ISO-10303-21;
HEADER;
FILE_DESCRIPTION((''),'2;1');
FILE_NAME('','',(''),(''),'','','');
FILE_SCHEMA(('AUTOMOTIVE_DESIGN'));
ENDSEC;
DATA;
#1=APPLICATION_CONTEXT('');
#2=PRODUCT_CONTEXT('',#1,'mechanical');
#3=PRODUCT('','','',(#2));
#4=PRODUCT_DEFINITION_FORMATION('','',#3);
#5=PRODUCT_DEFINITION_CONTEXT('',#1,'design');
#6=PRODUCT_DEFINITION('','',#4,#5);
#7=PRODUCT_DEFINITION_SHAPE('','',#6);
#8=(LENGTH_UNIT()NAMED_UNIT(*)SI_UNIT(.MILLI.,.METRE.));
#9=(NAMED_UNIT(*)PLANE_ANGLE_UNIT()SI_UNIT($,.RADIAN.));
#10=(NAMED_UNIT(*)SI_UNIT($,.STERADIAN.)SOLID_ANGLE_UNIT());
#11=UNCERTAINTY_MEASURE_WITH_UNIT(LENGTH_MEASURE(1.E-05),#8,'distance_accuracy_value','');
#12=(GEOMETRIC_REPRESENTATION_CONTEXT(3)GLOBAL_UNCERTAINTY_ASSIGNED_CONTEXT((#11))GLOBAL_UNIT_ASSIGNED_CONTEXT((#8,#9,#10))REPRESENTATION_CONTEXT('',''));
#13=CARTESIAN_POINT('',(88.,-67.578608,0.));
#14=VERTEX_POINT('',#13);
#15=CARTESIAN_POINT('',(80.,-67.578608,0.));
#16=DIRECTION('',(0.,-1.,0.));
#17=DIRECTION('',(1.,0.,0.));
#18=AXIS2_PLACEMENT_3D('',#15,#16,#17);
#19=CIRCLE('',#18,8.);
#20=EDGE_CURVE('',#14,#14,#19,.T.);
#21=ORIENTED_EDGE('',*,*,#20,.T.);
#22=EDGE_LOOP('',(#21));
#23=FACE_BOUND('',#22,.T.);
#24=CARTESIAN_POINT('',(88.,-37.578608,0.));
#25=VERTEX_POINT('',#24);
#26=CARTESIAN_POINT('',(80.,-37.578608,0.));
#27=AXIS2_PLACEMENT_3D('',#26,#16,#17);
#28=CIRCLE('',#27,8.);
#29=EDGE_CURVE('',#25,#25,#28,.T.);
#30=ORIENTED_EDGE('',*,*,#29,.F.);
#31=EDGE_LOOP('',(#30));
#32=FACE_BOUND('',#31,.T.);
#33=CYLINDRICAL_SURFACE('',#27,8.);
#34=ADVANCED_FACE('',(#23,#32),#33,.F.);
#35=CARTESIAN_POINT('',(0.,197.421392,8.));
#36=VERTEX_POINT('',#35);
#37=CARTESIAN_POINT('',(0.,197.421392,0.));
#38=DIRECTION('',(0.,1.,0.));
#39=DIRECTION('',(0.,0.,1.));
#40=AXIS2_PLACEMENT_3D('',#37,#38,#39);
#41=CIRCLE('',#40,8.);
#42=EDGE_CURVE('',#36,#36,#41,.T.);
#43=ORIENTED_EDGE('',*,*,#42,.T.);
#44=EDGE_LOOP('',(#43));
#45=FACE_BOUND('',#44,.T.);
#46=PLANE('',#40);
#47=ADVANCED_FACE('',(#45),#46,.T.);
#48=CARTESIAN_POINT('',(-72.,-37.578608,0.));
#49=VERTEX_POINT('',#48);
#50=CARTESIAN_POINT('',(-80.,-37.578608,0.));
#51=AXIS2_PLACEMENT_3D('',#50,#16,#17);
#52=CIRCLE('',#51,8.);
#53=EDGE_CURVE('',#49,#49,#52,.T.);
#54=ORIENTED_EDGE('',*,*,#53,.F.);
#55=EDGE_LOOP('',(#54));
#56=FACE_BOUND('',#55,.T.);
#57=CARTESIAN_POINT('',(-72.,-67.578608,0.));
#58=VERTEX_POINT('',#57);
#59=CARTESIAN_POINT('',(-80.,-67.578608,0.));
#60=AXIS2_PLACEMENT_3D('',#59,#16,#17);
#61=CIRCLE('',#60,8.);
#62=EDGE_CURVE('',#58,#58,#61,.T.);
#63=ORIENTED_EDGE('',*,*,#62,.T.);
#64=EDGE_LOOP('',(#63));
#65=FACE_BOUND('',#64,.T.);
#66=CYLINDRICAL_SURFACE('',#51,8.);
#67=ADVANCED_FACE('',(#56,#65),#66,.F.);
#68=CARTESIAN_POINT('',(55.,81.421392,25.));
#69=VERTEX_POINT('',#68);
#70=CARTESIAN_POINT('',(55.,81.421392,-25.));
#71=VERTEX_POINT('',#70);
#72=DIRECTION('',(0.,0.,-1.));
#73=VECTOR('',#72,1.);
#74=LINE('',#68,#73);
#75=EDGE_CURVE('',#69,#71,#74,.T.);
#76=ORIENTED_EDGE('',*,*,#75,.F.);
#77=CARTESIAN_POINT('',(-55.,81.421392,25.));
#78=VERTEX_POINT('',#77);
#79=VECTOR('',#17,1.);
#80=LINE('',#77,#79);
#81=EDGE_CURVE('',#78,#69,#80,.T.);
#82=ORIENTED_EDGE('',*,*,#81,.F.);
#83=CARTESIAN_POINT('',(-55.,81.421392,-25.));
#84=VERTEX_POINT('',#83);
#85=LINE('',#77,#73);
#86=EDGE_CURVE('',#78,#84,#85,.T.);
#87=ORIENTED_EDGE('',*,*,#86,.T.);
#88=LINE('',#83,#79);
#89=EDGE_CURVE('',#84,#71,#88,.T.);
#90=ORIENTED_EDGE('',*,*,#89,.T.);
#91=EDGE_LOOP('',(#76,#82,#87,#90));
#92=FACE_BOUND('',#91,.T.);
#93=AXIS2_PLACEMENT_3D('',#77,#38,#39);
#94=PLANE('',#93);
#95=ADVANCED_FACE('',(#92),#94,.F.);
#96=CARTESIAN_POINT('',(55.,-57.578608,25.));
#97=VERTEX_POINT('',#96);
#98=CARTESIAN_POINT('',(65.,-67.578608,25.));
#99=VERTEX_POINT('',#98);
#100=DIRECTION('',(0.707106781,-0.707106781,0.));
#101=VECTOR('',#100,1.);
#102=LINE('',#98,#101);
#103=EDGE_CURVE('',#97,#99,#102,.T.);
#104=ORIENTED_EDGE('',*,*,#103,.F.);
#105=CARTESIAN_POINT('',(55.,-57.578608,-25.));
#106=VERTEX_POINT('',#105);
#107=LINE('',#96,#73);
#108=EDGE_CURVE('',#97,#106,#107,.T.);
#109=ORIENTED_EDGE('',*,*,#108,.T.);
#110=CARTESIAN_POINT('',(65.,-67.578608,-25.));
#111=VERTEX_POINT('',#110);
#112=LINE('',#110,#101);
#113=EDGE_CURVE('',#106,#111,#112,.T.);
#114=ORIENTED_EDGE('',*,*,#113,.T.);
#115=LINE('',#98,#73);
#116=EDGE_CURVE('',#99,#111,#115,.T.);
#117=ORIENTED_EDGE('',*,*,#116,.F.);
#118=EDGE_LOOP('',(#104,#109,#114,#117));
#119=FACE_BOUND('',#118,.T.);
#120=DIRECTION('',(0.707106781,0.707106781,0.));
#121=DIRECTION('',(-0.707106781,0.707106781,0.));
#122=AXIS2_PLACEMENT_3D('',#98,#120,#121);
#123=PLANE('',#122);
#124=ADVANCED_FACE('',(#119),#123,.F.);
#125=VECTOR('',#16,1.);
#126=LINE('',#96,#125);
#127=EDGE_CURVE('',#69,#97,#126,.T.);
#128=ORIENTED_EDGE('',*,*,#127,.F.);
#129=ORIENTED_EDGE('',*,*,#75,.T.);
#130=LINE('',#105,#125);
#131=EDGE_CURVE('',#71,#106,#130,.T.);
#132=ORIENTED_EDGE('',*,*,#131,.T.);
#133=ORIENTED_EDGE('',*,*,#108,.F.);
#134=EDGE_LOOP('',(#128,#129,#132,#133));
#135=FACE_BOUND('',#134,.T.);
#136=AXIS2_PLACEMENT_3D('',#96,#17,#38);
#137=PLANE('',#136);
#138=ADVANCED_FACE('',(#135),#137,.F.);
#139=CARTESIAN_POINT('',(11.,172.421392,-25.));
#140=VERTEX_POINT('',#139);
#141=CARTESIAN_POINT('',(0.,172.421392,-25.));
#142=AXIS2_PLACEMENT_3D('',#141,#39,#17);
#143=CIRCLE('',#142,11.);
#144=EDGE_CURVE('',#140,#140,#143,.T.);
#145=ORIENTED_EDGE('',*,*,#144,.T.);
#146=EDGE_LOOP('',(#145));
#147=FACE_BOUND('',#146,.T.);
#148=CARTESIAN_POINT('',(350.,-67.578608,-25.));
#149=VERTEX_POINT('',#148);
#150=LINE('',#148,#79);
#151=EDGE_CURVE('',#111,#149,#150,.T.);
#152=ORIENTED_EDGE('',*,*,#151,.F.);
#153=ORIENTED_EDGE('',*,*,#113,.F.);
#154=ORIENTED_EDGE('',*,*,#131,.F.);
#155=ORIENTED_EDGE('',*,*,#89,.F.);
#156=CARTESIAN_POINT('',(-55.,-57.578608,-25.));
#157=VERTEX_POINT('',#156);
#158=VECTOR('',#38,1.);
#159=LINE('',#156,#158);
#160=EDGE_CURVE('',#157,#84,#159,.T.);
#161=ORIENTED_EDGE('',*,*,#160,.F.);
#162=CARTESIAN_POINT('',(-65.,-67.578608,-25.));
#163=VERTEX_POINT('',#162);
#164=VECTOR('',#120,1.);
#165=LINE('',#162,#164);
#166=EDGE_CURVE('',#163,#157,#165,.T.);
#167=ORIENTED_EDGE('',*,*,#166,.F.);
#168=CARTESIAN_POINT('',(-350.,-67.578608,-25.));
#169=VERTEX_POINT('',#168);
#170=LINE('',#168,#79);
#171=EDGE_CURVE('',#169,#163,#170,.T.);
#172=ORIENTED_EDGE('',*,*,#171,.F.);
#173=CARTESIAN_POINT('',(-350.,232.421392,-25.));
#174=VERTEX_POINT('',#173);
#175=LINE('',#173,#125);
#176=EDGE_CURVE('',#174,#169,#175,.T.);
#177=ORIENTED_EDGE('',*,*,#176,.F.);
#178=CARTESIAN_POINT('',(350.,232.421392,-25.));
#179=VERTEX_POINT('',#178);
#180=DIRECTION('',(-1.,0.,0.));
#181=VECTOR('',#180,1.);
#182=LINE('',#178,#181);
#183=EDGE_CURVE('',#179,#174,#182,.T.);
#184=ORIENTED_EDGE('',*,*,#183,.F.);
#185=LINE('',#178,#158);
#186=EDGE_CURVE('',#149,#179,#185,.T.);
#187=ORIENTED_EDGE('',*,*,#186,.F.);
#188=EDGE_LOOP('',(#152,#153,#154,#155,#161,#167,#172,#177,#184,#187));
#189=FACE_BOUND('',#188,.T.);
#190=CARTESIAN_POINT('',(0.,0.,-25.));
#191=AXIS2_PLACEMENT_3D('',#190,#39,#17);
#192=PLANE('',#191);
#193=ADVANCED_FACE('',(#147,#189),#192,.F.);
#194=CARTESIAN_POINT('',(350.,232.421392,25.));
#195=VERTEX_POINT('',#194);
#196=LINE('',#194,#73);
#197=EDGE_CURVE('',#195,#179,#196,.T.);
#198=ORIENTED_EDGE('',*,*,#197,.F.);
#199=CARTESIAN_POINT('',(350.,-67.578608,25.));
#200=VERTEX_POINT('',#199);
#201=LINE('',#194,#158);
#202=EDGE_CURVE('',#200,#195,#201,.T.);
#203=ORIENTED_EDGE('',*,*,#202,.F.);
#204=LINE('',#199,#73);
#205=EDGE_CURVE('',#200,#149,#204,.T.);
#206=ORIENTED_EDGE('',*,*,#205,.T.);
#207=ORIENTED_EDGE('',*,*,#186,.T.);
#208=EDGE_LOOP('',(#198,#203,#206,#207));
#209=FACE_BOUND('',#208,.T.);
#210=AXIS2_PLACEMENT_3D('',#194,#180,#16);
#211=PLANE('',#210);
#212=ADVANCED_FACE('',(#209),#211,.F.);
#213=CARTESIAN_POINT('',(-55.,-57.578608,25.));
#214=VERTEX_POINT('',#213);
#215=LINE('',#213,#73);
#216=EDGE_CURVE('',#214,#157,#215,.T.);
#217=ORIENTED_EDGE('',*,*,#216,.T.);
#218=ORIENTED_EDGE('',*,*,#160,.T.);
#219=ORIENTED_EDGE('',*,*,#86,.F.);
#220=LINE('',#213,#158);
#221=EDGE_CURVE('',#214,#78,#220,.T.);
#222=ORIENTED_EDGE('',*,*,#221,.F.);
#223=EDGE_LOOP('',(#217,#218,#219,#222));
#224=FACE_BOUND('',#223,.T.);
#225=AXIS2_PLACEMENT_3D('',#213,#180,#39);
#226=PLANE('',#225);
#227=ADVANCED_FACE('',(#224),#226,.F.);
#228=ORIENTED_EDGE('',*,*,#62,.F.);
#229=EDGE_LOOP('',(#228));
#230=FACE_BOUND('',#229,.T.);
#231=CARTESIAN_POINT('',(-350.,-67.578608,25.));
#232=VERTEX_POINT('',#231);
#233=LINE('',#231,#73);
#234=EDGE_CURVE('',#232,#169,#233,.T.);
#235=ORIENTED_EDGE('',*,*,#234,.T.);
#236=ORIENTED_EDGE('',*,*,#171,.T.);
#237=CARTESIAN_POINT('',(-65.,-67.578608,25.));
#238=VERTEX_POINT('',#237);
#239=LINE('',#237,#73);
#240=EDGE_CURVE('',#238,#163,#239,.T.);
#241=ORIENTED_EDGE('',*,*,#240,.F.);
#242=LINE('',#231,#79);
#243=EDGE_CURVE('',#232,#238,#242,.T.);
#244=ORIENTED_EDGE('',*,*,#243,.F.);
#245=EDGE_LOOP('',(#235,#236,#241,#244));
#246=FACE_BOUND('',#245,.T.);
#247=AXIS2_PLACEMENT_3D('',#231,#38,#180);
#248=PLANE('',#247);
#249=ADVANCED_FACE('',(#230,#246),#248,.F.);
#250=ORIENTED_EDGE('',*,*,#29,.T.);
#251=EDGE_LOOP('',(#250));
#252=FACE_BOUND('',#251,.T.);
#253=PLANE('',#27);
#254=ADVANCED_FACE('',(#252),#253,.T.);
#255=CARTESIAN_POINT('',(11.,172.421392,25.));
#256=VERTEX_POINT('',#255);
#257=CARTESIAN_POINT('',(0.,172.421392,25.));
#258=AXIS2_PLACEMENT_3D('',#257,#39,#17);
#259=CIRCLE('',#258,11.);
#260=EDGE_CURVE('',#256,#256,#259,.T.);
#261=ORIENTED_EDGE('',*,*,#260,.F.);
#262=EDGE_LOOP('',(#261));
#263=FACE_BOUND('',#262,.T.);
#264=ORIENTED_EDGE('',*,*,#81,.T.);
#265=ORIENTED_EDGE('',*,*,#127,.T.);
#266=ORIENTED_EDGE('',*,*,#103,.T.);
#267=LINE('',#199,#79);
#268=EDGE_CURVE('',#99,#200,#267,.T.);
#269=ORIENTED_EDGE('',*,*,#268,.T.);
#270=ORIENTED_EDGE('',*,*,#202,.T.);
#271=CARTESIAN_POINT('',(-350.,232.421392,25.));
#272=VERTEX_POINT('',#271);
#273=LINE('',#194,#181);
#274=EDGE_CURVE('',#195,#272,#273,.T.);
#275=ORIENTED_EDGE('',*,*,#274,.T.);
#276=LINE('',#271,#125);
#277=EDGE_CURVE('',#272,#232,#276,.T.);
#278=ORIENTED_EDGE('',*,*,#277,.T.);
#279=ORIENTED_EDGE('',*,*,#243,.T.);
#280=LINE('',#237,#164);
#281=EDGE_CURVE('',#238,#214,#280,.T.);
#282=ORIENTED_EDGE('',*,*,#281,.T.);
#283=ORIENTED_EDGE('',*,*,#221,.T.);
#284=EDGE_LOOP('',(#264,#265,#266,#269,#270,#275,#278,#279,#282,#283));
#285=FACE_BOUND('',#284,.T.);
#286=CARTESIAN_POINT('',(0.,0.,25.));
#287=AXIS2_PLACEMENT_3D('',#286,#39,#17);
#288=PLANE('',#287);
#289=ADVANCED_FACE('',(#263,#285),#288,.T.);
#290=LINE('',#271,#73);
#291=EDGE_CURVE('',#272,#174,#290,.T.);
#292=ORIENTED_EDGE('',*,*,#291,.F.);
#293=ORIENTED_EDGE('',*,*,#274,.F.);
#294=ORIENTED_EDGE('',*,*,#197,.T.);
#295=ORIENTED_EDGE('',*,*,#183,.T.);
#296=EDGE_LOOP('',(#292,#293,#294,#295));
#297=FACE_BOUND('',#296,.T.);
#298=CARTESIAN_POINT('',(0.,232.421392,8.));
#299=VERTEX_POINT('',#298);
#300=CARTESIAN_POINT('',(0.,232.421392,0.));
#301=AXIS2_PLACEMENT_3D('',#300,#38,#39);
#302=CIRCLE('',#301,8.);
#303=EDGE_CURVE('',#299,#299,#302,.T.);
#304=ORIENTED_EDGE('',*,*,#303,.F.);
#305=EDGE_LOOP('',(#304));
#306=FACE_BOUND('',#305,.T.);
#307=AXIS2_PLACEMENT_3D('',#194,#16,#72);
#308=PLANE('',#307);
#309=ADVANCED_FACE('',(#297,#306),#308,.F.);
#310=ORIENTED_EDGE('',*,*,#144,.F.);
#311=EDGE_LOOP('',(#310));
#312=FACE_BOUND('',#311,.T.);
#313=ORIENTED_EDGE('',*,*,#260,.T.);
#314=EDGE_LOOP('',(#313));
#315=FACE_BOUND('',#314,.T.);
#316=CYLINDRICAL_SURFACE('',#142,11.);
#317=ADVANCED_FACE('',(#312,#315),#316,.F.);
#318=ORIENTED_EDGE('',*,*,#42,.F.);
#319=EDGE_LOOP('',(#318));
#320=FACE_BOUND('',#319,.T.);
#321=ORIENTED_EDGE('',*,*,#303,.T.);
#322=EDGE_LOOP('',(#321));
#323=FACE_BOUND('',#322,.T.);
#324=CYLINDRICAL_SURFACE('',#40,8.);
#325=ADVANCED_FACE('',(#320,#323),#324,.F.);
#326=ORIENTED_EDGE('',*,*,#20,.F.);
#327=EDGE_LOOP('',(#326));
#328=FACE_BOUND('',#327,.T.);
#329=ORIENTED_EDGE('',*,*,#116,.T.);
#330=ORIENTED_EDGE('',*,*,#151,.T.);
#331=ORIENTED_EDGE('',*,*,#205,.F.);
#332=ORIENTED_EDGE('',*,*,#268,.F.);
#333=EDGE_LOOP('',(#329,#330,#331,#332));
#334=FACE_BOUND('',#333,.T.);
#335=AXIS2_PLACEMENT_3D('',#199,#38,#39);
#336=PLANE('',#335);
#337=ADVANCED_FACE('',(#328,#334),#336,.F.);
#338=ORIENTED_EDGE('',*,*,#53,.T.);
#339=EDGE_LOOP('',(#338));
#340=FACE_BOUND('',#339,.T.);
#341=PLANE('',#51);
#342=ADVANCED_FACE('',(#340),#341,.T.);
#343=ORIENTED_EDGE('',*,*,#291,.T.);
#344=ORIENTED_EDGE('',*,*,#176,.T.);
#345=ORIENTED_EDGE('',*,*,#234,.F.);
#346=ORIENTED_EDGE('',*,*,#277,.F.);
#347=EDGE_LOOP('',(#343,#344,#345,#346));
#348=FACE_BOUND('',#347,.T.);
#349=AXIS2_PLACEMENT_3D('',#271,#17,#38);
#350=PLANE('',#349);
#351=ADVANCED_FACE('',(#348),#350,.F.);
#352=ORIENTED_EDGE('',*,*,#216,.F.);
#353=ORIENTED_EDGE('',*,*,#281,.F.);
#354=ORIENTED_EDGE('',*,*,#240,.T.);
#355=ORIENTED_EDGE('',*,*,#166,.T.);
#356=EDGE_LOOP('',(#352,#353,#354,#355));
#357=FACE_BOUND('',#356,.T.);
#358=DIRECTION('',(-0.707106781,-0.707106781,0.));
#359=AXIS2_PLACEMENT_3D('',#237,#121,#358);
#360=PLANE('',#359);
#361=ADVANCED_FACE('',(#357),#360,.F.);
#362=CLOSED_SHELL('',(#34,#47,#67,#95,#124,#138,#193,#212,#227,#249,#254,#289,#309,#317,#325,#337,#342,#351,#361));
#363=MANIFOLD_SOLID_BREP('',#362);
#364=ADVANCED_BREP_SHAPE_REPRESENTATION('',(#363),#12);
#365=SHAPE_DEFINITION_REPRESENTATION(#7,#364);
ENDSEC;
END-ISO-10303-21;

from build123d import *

# Parameters (mm, degrees)
BOSS_EXTRUDE1_DEPTH     = 25
SKETCH2_R               = 11
CUT_EXTRUDE1_DEPTH      = 26
CUT_EXTRUDE1_DEPTH_BACK = 26
SKETCH3_R               = 8
CUT_EXTRUDE2_DEPTH      = 35
SKETCH4_R               = 8
CUT_EXTRUDE3_DEPTH      = 30


with BuildPart() as part:
    # Sketch1 → Boss-Extrude1 (new body, symmetric)
    with BuildSketch(Plane.XY):
        Polygon((350, 232.421392473), (-350, 232.421392473), (-350, -67.578607527), (-65, -67.578607527), (-55, -57.578607527), (-55, 81.421392473), (55, 81.421392473), (55, -57.578607527), (65, -67.578607527), (350, -67.578607527), align=None)
    extrude(amount=BOSS_EXTRUDE1_DEPTH, both=True)

    # Sketch2 → Cut-Extrude1 (cut, two sides)
    with BuildSketch(Plane.XY) as cut_extrude1_sk:
        with Locations((0, 172.421392473)):
            Circle(SKETCH2_R)
    extrude(amount=CUT_EXTRUDE1_DEPTH, mode=Mode.SUBTRACT)
    extrude(cut_extrude1_sk.sketch, amount=-CUT_EXTRUDE1_DEPTH_BACK, mode=Mode.SUBTRACT)

    # Sketch3 → Cut-Extrude2 (cut)
    with BuildSketch(Plane(origin=(0, 232.421392473, 0), x_dir=(1, 0, 0), z_dir=(0, 1, 0))):
        Circle(SKETCH3_R)
    extrude(amount=-CUT_EXTRUDE2_DEPTH, mode=Mode.SUBTRACT)

    # Sketch4 → Cut-Extrude3 (cut)
    with BuildSketch(Plane.XZ.offset(67.578607527)):
        with Locations((-80, 0)):
            Circle(SKETCH4_R)
        with Locations((80, 0)):
            Circle(SKETCH4_R)
    extrude(amount=-CUT_EXTRUDE3_DEPTH, mode=Mode.SUBTRACT)


solid = part.part
